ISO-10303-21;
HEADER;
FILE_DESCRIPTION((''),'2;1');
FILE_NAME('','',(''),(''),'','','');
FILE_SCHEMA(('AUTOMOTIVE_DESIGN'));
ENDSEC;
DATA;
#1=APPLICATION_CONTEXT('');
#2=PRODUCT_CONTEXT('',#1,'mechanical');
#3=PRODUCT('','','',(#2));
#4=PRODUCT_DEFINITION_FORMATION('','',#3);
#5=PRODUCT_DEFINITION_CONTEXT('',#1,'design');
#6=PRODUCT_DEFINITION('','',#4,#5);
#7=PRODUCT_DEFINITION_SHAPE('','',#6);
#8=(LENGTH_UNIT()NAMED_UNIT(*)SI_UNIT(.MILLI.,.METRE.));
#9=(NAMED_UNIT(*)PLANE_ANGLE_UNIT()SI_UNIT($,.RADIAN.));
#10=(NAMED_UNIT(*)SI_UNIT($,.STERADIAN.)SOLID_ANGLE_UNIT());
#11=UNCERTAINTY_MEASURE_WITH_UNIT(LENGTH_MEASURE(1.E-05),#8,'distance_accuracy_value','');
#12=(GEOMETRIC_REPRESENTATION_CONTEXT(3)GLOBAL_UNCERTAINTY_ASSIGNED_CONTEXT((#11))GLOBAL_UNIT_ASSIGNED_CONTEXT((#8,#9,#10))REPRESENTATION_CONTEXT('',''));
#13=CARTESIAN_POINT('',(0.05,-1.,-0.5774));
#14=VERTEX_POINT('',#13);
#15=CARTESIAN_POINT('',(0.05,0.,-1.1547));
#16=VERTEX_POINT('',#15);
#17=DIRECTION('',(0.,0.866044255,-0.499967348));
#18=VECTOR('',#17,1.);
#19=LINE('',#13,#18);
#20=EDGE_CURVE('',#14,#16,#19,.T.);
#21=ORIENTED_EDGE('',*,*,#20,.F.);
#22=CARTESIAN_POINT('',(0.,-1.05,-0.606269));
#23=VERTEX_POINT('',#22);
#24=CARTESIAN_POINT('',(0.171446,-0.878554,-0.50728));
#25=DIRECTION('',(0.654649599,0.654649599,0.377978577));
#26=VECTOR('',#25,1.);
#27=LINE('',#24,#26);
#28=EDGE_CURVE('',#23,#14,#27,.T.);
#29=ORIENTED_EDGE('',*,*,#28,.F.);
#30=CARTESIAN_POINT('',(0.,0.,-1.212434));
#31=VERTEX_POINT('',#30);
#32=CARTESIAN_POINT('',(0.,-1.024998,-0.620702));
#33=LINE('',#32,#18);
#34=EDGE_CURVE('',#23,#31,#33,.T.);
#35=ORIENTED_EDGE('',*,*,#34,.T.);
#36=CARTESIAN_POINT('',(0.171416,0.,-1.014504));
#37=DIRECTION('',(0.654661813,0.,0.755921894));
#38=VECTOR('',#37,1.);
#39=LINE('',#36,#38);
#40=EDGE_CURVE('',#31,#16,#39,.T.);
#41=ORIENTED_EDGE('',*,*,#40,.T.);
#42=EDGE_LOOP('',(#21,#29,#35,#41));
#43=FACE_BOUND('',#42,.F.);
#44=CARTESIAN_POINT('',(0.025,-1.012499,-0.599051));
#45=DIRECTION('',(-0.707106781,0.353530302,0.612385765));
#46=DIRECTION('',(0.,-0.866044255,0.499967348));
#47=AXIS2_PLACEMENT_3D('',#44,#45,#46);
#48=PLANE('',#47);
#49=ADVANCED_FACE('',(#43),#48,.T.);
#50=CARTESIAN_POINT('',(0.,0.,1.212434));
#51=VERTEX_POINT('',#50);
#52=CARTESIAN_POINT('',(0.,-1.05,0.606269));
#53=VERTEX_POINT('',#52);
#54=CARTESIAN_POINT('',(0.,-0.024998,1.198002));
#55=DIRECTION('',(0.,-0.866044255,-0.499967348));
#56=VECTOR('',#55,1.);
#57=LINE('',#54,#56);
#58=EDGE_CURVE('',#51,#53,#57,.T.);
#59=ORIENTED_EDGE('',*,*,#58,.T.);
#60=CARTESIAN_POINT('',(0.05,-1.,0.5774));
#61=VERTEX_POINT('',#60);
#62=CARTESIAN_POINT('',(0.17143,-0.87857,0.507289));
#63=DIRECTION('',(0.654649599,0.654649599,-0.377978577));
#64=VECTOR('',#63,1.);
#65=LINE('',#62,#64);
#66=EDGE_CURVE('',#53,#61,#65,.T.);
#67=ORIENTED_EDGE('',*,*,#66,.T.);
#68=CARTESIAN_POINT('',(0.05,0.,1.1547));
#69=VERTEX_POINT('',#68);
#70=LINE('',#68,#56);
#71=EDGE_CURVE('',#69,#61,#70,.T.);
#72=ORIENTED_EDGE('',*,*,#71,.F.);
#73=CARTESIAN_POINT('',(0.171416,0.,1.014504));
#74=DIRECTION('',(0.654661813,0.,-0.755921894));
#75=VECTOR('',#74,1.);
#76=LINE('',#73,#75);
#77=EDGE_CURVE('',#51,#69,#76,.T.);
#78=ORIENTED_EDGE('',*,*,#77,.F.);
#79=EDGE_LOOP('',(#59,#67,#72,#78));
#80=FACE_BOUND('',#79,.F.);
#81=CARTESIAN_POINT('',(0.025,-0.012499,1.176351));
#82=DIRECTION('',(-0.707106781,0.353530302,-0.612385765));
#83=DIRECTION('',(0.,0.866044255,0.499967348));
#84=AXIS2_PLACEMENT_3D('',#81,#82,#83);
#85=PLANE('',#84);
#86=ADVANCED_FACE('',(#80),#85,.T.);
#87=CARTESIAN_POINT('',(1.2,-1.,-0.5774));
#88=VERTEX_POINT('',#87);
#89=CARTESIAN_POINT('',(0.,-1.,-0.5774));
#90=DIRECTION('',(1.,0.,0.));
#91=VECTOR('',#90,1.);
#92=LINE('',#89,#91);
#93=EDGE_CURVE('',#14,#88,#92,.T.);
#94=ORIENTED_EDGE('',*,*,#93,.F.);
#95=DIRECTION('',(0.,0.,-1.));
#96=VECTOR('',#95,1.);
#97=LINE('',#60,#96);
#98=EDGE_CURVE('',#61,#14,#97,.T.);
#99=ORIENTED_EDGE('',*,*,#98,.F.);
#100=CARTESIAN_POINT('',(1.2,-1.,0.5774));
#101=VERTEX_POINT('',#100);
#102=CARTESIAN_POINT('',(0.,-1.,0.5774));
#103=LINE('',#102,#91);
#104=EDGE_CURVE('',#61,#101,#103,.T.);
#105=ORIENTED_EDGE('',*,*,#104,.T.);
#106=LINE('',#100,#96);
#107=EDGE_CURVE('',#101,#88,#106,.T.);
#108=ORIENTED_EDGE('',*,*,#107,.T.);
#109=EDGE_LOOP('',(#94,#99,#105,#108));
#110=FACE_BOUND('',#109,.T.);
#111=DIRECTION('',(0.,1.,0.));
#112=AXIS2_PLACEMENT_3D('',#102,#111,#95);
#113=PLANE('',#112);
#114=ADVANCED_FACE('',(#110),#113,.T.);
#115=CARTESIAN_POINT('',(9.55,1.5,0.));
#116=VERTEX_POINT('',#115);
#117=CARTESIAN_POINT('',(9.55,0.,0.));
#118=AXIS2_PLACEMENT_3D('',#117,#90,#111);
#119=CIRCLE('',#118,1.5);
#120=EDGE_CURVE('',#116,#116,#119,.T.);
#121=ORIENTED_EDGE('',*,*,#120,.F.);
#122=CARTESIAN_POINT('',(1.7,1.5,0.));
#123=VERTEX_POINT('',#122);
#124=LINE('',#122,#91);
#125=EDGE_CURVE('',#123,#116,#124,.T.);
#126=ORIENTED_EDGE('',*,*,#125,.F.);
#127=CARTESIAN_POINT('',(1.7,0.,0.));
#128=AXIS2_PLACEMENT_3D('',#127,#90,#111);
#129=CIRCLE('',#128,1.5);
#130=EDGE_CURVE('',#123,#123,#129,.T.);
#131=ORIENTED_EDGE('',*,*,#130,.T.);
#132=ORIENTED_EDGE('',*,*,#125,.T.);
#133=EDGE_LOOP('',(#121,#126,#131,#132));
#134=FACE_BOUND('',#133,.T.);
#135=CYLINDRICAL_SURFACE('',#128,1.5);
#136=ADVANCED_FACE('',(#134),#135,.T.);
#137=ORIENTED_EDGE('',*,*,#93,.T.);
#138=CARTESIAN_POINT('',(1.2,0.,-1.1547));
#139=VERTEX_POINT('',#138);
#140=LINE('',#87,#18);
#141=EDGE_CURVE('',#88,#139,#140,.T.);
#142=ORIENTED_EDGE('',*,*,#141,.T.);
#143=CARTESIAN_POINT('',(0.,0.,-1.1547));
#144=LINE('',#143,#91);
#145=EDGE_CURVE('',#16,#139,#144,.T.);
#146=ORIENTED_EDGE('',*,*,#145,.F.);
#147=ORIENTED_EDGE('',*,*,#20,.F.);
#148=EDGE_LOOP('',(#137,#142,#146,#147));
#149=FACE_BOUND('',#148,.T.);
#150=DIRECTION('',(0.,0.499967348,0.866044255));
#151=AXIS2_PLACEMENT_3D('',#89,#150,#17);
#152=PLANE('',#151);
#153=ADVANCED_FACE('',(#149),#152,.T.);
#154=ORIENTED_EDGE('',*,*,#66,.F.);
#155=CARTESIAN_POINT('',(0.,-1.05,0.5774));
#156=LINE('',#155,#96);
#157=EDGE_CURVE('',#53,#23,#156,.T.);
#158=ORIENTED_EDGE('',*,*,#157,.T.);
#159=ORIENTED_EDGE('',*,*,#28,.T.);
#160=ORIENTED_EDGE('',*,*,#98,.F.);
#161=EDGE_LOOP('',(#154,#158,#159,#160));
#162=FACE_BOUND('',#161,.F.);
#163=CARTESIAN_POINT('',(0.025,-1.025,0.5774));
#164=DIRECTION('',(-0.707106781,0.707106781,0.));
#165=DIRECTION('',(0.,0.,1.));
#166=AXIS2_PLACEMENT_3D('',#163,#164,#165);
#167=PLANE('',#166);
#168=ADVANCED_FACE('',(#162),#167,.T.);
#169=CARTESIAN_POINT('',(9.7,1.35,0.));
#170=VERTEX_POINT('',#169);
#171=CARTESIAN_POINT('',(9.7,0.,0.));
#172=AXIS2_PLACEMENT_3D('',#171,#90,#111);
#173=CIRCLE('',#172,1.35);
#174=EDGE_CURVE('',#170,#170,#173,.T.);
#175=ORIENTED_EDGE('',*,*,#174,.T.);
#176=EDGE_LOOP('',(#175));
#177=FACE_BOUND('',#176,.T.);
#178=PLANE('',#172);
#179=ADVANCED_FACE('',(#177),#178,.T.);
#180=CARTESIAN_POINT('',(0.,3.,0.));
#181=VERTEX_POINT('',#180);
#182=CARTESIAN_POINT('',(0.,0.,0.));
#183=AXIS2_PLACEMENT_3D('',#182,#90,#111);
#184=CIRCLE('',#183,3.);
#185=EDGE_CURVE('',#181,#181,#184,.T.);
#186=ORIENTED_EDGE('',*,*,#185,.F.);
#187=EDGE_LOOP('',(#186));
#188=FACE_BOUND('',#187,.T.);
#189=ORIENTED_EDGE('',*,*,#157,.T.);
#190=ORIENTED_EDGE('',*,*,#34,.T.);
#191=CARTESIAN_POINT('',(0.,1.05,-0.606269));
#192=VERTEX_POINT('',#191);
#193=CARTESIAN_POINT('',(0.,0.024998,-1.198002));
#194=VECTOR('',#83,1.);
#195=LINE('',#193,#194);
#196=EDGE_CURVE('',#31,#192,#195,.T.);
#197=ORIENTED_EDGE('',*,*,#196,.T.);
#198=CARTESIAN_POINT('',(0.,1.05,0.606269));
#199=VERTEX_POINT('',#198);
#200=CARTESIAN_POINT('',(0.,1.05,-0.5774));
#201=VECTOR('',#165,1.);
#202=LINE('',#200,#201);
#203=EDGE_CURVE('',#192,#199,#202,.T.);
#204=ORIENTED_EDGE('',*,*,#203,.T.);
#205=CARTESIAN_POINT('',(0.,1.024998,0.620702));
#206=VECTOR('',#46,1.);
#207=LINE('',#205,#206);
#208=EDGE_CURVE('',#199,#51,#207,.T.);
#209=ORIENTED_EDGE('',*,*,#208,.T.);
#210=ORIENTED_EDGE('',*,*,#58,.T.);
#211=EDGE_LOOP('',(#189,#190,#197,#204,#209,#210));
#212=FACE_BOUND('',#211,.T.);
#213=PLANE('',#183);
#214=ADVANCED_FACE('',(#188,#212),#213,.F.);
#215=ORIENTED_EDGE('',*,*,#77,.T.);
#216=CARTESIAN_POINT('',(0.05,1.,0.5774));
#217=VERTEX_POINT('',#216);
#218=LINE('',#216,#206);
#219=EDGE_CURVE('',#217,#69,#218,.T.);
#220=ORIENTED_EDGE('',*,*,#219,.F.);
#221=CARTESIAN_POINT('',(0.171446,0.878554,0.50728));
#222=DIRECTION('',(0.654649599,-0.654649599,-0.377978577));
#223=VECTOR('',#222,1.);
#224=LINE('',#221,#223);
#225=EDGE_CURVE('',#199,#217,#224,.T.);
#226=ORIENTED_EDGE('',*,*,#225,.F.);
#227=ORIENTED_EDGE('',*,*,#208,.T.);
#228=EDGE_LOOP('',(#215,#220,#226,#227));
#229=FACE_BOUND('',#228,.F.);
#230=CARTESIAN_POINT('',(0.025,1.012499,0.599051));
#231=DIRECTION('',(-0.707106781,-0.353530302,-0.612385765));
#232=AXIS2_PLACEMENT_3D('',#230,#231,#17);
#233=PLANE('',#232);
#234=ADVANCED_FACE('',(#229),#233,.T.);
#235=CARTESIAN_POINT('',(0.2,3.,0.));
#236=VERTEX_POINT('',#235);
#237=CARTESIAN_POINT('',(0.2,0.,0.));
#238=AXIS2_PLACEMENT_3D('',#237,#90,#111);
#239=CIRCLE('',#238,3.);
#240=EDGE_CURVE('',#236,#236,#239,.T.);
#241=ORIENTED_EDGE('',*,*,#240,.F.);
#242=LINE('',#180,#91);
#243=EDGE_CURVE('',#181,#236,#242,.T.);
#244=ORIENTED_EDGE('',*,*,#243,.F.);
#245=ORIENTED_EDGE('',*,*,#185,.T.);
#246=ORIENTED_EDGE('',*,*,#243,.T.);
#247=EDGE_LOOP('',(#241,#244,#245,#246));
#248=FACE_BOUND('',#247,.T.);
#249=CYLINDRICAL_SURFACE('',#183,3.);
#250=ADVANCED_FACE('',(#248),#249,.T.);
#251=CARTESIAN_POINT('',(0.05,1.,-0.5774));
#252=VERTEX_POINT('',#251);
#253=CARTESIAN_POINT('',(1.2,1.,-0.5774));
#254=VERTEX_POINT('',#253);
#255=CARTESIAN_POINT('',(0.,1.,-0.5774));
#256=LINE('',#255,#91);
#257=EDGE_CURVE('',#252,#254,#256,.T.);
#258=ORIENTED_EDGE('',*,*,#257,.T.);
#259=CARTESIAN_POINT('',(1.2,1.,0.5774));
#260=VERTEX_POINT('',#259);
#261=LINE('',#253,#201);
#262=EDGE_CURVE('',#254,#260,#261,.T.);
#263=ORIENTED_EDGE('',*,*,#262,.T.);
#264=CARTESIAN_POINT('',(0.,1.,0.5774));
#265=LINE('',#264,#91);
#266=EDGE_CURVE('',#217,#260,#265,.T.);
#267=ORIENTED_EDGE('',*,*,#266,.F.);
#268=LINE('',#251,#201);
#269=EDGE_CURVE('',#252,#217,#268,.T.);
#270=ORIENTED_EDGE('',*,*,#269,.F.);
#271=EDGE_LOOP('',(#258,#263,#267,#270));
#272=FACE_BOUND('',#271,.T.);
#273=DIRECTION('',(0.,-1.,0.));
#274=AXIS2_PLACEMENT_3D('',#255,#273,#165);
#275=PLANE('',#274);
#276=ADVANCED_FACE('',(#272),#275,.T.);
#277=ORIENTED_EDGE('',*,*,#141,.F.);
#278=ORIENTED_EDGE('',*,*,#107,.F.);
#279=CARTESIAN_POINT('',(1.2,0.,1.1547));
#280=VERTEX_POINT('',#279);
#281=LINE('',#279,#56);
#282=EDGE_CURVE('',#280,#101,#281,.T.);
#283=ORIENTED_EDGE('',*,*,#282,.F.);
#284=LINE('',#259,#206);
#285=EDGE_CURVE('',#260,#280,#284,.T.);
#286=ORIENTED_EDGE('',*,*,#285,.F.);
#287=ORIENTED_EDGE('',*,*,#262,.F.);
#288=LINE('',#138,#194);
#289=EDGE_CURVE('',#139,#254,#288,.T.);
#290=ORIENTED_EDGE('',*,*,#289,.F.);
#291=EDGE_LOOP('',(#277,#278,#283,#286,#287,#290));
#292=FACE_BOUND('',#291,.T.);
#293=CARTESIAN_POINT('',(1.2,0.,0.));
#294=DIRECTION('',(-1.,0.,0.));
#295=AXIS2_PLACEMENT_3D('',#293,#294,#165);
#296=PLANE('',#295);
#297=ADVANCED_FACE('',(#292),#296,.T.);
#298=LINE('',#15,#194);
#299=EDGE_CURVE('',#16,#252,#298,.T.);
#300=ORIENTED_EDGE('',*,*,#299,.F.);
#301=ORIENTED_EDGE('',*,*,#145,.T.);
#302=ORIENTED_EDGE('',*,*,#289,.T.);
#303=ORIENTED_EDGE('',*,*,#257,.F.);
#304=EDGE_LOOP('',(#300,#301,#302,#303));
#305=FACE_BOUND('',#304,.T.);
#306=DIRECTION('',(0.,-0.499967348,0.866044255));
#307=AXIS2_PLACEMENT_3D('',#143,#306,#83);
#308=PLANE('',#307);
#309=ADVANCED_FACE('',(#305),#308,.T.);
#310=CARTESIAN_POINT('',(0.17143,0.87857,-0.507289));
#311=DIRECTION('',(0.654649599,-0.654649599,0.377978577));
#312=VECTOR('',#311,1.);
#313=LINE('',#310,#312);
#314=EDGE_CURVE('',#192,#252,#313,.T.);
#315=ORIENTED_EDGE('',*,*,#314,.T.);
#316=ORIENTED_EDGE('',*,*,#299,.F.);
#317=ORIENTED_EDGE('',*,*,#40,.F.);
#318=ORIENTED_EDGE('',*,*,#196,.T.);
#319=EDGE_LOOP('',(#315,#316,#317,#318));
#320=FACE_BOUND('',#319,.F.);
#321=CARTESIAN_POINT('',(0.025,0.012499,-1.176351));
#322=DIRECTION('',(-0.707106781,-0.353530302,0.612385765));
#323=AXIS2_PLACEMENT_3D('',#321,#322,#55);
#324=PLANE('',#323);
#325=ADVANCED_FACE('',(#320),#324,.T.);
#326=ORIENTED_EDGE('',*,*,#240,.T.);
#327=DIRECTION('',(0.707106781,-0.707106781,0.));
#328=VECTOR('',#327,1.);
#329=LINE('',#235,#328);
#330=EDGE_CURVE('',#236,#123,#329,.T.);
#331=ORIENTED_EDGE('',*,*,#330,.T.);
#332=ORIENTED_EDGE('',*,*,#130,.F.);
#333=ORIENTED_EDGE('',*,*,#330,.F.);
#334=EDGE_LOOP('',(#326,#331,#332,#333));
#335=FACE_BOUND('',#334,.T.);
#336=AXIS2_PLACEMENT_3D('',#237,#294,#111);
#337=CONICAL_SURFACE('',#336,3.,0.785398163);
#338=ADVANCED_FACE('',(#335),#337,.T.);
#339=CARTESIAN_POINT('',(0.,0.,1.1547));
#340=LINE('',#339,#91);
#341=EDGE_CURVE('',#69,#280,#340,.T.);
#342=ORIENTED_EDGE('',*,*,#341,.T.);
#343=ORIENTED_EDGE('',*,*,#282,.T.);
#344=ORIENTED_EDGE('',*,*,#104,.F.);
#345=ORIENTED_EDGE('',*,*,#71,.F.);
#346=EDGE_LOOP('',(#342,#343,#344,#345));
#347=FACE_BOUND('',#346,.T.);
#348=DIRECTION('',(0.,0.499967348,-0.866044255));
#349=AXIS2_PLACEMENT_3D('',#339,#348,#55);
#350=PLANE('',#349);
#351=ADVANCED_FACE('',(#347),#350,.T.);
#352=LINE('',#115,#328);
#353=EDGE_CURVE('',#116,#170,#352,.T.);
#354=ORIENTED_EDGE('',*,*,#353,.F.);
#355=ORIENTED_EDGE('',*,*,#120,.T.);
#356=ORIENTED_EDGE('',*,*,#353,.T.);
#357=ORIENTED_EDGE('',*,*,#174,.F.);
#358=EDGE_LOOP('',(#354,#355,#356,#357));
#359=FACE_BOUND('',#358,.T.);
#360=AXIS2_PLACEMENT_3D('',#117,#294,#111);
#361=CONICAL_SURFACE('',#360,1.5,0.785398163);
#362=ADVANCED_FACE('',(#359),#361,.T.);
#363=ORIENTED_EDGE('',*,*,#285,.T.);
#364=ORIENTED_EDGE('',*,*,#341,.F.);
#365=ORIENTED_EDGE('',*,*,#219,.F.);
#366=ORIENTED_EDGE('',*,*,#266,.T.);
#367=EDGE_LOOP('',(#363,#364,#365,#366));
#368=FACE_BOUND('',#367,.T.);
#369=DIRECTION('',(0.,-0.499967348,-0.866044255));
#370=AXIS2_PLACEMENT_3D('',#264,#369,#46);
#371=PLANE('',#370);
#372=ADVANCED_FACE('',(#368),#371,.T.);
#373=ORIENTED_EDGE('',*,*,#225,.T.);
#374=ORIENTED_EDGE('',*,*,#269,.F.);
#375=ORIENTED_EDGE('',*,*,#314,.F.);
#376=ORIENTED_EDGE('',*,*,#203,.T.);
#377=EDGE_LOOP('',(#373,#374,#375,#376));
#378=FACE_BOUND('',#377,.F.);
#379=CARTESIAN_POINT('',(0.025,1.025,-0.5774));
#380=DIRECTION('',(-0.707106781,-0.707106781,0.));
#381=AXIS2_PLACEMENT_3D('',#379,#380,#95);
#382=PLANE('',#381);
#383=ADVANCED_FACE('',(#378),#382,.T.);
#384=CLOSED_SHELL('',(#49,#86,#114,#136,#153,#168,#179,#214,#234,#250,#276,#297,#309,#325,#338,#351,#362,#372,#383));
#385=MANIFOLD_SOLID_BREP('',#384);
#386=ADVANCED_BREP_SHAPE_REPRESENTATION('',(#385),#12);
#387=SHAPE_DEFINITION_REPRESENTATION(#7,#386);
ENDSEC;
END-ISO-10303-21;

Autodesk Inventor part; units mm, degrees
ref_plane "YZ Plane" through (0, 0, 0) normal (1, 0, 0) x (0, 1, 0)
ref_plane "XZ Plane" through (0, 0, 0) normal (0, 1, 0) x (-1, 0, 0)
ref_plane "XY Plane" through (0, 0, 0) normal (0, 0, 1) x (1, 0, 0)
sketch "スケッチ1" plane through (0, 0, 0) normal (0, 0, 1) x (1, 0, 0)
  line L0 (0, 0) -> (0, 3)
  line L1 (0, 3) -> (0.2, 3)
  line L2 (0.2, 3) -> (1.7, 1.5)
  line L3 (1.7, 1.5) -> (9.7, 1.5)
  line L4 (9.7, 1.5) -> (9.7, 0)
  line L5 (0, 0) -> (9.7, 0)
  dimension "d0" = 45
  dimension "d1" = 3
  dimension "d2" = 1.7
  dimension "d3" = 1.5
  dimension "d4" = 8
revolve "回転1" add sketch "スケッチ1" angle 360 about axis through (0, 0, 0) along (1, 0, 0)
thread "ねじ1" size "M3x0.5" class "6g" standard "ANSI Metric M Profile" length 44.8
sketch "スケッチ2" plane through (0, 0, 0) normal (-1, 0, 0) x (0, 0, 1)
  line L0 (0.5774, 1) -> (1.1547, 0)
  line L1 (1.1547, 0) -> (0.5774, -1)
  line L2 (0.5774, -1) -> (-0.5774, -1)
  line L3 (-0.5774, -1) -> (-1.1547, 0)
  line L4 (-1.1547, 0) -> (-0.5774, 1)
  line L5 (-0.5774, 1) -> (0.5774, 1)
  circle A0 centre (0, 0) radius 1.1547
  point P0 (0, 0)
  point P1 (0, 0)
  dimension "d8" = 2
extrude "押し出し1" cut sketch "スケッチ2" against normal blind 1.2 contours L0 L1 L2 L3 L4 L5
chamfer "面取り1" distance 0.05 angle 45 6 edges at (0, -0.5, -0.866) (0, 0.5, -0.866) (0, 1, 0) (0, 0.5, 0.866) (0, -1, 0) (0, -0.5, 0.866)
chamfer "面取り2" distance 0.15 angle 45 1 edges at (9.7, -1.5, 0)
properties part number "ネジ皿M3L8" material "鋼、高強度、低合金"
